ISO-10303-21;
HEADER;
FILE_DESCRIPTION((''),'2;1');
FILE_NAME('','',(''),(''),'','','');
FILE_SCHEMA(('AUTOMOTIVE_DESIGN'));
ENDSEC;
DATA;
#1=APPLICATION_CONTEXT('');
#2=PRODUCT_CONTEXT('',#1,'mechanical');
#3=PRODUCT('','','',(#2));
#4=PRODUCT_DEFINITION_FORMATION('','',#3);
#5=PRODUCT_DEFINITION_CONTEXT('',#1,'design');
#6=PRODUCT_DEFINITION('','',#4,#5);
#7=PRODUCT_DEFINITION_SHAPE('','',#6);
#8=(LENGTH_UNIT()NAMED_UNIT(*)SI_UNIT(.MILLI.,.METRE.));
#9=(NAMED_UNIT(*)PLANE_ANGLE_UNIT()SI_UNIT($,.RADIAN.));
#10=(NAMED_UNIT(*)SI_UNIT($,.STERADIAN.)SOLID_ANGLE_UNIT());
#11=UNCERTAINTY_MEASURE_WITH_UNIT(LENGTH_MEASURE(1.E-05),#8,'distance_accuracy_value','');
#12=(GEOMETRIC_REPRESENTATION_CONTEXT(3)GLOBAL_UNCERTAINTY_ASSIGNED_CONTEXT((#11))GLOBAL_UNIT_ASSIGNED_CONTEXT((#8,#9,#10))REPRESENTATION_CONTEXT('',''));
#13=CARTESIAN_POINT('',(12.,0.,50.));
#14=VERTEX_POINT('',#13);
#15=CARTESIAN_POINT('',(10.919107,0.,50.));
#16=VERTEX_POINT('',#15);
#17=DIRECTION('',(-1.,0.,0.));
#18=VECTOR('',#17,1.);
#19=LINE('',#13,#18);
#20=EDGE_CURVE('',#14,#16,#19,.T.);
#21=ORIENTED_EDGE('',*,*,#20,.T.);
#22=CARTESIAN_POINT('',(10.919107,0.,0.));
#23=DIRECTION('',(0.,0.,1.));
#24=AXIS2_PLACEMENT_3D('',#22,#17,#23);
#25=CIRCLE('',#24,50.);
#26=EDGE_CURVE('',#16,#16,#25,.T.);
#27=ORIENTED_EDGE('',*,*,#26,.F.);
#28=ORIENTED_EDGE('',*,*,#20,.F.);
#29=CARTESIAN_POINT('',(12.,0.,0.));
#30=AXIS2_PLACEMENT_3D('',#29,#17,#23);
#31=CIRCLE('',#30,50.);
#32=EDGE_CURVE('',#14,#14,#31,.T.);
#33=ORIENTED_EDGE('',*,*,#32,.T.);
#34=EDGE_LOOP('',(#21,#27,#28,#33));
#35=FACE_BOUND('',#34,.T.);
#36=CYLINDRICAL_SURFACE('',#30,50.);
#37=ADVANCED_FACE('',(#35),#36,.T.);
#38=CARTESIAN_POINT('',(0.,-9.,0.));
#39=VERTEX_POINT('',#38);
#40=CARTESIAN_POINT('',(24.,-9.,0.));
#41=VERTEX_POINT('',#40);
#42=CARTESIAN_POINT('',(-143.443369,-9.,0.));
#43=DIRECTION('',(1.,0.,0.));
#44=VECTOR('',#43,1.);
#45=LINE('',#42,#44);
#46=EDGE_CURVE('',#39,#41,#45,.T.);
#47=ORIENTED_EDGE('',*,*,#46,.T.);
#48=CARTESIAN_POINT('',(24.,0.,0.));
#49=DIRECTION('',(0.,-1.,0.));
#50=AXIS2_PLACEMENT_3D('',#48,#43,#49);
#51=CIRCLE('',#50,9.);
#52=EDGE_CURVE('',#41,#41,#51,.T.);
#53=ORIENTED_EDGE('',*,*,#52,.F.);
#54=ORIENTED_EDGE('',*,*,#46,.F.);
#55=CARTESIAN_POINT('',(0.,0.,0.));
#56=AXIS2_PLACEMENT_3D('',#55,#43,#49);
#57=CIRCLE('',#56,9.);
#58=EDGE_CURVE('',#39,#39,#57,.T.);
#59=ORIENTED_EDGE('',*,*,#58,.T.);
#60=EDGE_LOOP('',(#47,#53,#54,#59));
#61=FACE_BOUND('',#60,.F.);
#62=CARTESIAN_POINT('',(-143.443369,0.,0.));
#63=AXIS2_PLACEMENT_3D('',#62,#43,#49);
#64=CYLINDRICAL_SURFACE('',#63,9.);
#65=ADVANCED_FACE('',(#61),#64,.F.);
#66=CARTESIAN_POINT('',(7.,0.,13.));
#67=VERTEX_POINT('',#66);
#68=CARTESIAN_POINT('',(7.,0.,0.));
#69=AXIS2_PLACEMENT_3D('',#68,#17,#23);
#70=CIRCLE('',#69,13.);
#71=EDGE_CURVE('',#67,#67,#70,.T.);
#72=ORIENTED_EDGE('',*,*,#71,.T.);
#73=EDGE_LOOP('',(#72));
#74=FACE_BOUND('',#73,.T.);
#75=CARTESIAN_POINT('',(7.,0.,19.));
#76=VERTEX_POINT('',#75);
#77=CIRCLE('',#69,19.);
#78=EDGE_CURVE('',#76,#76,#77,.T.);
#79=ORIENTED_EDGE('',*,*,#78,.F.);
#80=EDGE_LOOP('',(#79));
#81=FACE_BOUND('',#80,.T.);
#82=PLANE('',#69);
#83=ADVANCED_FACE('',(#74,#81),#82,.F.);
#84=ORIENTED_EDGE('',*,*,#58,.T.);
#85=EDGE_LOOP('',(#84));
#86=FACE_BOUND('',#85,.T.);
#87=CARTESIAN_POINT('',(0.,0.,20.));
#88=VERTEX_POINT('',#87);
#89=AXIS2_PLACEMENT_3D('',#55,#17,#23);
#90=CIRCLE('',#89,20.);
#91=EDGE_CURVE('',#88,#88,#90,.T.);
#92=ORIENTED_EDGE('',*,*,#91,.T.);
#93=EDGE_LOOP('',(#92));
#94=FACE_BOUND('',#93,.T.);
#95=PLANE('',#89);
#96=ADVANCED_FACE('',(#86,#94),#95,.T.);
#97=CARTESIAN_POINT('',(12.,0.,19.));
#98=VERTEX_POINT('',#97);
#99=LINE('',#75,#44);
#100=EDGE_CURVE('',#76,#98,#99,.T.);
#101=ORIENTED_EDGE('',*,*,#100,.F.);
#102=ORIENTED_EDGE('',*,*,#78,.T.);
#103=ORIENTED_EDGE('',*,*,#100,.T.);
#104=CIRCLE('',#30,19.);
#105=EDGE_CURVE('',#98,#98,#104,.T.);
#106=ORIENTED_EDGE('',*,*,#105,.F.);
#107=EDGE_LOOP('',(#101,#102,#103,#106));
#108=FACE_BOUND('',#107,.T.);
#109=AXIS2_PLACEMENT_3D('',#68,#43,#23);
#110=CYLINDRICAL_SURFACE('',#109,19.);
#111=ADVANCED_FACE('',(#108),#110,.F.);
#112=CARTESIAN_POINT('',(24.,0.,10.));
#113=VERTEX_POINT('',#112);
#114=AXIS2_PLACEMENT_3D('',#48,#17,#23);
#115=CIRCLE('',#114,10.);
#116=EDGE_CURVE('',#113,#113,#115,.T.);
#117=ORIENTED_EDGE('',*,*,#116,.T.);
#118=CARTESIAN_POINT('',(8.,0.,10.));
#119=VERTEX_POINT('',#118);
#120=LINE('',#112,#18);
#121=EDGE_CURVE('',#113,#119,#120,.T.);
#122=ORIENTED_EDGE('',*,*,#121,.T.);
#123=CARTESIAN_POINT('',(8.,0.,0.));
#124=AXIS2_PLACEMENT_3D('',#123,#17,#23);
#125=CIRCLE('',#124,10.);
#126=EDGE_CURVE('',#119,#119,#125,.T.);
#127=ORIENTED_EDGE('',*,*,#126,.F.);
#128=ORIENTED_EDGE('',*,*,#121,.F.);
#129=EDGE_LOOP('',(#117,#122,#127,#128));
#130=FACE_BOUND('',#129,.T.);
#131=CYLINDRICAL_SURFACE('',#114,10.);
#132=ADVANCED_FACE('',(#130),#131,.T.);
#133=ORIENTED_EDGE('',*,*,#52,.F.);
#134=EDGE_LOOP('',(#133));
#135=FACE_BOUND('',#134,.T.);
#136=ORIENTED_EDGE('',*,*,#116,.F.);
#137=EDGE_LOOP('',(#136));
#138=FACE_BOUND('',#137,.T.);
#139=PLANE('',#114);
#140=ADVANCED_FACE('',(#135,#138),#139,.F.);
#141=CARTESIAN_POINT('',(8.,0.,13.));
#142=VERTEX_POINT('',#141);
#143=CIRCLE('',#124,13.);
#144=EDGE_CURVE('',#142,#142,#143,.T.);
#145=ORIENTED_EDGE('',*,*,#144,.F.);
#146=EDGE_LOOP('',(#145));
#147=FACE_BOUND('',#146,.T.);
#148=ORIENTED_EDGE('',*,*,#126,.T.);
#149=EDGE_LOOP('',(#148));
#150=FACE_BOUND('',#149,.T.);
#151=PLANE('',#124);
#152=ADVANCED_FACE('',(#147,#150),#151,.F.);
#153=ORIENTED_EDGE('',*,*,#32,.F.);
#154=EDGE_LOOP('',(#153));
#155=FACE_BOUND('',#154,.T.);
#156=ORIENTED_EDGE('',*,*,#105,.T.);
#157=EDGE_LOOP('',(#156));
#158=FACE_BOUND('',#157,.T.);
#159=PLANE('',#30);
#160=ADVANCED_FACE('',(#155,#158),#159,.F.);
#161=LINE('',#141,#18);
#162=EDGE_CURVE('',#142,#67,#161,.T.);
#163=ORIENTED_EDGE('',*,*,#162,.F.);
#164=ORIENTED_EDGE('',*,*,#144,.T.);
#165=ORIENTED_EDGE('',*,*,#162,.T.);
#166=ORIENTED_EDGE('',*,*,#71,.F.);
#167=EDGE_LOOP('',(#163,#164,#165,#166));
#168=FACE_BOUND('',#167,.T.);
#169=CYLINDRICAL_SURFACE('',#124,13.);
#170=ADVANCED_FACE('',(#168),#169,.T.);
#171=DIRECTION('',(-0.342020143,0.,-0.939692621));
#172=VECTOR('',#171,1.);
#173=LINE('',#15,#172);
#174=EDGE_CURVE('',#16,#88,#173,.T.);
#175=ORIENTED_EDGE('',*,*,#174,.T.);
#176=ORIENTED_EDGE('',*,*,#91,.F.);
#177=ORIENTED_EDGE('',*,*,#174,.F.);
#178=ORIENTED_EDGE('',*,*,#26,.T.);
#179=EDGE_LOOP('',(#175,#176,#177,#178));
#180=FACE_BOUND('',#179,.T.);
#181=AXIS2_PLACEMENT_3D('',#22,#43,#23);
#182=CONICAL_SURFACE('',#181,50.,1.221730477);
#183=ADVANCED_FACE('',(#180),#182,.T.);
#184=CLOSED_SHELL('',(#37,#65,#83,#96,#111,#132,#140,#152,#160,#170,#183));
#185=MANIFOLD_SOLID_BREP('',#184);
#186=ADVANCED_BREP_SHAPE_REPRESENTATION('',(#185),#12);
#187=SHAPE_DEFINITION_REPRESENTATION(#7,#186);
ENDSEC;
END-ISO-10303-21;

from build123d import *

# Parameters (mm, degrees)
F3_D = 18


with BuildPart() as f1:
    # F0 (on Front) → F1 (revolve)
    with BuildSketch(Plane.XZ):
        Polygon((10.919107, 50), (0, 20), (0, 0), (24, 0), (24, 10), (12, 10), (8, 10), (8, 13), (7, 13), (7, 19), (12, 19), (12, 50), align=None)
    revolve(axis=Axis((12, 0, 0), (-1, 0, 0)))

    # F3 (through all)
    with Locations(Plane(origin=(0, 0, 0), x_dir=(0, 1, 0), z_dir=(-1, 0, 0))):
        with Locations((0, 0)):
            Hole(F3_D / 2)


solid = f1.part
